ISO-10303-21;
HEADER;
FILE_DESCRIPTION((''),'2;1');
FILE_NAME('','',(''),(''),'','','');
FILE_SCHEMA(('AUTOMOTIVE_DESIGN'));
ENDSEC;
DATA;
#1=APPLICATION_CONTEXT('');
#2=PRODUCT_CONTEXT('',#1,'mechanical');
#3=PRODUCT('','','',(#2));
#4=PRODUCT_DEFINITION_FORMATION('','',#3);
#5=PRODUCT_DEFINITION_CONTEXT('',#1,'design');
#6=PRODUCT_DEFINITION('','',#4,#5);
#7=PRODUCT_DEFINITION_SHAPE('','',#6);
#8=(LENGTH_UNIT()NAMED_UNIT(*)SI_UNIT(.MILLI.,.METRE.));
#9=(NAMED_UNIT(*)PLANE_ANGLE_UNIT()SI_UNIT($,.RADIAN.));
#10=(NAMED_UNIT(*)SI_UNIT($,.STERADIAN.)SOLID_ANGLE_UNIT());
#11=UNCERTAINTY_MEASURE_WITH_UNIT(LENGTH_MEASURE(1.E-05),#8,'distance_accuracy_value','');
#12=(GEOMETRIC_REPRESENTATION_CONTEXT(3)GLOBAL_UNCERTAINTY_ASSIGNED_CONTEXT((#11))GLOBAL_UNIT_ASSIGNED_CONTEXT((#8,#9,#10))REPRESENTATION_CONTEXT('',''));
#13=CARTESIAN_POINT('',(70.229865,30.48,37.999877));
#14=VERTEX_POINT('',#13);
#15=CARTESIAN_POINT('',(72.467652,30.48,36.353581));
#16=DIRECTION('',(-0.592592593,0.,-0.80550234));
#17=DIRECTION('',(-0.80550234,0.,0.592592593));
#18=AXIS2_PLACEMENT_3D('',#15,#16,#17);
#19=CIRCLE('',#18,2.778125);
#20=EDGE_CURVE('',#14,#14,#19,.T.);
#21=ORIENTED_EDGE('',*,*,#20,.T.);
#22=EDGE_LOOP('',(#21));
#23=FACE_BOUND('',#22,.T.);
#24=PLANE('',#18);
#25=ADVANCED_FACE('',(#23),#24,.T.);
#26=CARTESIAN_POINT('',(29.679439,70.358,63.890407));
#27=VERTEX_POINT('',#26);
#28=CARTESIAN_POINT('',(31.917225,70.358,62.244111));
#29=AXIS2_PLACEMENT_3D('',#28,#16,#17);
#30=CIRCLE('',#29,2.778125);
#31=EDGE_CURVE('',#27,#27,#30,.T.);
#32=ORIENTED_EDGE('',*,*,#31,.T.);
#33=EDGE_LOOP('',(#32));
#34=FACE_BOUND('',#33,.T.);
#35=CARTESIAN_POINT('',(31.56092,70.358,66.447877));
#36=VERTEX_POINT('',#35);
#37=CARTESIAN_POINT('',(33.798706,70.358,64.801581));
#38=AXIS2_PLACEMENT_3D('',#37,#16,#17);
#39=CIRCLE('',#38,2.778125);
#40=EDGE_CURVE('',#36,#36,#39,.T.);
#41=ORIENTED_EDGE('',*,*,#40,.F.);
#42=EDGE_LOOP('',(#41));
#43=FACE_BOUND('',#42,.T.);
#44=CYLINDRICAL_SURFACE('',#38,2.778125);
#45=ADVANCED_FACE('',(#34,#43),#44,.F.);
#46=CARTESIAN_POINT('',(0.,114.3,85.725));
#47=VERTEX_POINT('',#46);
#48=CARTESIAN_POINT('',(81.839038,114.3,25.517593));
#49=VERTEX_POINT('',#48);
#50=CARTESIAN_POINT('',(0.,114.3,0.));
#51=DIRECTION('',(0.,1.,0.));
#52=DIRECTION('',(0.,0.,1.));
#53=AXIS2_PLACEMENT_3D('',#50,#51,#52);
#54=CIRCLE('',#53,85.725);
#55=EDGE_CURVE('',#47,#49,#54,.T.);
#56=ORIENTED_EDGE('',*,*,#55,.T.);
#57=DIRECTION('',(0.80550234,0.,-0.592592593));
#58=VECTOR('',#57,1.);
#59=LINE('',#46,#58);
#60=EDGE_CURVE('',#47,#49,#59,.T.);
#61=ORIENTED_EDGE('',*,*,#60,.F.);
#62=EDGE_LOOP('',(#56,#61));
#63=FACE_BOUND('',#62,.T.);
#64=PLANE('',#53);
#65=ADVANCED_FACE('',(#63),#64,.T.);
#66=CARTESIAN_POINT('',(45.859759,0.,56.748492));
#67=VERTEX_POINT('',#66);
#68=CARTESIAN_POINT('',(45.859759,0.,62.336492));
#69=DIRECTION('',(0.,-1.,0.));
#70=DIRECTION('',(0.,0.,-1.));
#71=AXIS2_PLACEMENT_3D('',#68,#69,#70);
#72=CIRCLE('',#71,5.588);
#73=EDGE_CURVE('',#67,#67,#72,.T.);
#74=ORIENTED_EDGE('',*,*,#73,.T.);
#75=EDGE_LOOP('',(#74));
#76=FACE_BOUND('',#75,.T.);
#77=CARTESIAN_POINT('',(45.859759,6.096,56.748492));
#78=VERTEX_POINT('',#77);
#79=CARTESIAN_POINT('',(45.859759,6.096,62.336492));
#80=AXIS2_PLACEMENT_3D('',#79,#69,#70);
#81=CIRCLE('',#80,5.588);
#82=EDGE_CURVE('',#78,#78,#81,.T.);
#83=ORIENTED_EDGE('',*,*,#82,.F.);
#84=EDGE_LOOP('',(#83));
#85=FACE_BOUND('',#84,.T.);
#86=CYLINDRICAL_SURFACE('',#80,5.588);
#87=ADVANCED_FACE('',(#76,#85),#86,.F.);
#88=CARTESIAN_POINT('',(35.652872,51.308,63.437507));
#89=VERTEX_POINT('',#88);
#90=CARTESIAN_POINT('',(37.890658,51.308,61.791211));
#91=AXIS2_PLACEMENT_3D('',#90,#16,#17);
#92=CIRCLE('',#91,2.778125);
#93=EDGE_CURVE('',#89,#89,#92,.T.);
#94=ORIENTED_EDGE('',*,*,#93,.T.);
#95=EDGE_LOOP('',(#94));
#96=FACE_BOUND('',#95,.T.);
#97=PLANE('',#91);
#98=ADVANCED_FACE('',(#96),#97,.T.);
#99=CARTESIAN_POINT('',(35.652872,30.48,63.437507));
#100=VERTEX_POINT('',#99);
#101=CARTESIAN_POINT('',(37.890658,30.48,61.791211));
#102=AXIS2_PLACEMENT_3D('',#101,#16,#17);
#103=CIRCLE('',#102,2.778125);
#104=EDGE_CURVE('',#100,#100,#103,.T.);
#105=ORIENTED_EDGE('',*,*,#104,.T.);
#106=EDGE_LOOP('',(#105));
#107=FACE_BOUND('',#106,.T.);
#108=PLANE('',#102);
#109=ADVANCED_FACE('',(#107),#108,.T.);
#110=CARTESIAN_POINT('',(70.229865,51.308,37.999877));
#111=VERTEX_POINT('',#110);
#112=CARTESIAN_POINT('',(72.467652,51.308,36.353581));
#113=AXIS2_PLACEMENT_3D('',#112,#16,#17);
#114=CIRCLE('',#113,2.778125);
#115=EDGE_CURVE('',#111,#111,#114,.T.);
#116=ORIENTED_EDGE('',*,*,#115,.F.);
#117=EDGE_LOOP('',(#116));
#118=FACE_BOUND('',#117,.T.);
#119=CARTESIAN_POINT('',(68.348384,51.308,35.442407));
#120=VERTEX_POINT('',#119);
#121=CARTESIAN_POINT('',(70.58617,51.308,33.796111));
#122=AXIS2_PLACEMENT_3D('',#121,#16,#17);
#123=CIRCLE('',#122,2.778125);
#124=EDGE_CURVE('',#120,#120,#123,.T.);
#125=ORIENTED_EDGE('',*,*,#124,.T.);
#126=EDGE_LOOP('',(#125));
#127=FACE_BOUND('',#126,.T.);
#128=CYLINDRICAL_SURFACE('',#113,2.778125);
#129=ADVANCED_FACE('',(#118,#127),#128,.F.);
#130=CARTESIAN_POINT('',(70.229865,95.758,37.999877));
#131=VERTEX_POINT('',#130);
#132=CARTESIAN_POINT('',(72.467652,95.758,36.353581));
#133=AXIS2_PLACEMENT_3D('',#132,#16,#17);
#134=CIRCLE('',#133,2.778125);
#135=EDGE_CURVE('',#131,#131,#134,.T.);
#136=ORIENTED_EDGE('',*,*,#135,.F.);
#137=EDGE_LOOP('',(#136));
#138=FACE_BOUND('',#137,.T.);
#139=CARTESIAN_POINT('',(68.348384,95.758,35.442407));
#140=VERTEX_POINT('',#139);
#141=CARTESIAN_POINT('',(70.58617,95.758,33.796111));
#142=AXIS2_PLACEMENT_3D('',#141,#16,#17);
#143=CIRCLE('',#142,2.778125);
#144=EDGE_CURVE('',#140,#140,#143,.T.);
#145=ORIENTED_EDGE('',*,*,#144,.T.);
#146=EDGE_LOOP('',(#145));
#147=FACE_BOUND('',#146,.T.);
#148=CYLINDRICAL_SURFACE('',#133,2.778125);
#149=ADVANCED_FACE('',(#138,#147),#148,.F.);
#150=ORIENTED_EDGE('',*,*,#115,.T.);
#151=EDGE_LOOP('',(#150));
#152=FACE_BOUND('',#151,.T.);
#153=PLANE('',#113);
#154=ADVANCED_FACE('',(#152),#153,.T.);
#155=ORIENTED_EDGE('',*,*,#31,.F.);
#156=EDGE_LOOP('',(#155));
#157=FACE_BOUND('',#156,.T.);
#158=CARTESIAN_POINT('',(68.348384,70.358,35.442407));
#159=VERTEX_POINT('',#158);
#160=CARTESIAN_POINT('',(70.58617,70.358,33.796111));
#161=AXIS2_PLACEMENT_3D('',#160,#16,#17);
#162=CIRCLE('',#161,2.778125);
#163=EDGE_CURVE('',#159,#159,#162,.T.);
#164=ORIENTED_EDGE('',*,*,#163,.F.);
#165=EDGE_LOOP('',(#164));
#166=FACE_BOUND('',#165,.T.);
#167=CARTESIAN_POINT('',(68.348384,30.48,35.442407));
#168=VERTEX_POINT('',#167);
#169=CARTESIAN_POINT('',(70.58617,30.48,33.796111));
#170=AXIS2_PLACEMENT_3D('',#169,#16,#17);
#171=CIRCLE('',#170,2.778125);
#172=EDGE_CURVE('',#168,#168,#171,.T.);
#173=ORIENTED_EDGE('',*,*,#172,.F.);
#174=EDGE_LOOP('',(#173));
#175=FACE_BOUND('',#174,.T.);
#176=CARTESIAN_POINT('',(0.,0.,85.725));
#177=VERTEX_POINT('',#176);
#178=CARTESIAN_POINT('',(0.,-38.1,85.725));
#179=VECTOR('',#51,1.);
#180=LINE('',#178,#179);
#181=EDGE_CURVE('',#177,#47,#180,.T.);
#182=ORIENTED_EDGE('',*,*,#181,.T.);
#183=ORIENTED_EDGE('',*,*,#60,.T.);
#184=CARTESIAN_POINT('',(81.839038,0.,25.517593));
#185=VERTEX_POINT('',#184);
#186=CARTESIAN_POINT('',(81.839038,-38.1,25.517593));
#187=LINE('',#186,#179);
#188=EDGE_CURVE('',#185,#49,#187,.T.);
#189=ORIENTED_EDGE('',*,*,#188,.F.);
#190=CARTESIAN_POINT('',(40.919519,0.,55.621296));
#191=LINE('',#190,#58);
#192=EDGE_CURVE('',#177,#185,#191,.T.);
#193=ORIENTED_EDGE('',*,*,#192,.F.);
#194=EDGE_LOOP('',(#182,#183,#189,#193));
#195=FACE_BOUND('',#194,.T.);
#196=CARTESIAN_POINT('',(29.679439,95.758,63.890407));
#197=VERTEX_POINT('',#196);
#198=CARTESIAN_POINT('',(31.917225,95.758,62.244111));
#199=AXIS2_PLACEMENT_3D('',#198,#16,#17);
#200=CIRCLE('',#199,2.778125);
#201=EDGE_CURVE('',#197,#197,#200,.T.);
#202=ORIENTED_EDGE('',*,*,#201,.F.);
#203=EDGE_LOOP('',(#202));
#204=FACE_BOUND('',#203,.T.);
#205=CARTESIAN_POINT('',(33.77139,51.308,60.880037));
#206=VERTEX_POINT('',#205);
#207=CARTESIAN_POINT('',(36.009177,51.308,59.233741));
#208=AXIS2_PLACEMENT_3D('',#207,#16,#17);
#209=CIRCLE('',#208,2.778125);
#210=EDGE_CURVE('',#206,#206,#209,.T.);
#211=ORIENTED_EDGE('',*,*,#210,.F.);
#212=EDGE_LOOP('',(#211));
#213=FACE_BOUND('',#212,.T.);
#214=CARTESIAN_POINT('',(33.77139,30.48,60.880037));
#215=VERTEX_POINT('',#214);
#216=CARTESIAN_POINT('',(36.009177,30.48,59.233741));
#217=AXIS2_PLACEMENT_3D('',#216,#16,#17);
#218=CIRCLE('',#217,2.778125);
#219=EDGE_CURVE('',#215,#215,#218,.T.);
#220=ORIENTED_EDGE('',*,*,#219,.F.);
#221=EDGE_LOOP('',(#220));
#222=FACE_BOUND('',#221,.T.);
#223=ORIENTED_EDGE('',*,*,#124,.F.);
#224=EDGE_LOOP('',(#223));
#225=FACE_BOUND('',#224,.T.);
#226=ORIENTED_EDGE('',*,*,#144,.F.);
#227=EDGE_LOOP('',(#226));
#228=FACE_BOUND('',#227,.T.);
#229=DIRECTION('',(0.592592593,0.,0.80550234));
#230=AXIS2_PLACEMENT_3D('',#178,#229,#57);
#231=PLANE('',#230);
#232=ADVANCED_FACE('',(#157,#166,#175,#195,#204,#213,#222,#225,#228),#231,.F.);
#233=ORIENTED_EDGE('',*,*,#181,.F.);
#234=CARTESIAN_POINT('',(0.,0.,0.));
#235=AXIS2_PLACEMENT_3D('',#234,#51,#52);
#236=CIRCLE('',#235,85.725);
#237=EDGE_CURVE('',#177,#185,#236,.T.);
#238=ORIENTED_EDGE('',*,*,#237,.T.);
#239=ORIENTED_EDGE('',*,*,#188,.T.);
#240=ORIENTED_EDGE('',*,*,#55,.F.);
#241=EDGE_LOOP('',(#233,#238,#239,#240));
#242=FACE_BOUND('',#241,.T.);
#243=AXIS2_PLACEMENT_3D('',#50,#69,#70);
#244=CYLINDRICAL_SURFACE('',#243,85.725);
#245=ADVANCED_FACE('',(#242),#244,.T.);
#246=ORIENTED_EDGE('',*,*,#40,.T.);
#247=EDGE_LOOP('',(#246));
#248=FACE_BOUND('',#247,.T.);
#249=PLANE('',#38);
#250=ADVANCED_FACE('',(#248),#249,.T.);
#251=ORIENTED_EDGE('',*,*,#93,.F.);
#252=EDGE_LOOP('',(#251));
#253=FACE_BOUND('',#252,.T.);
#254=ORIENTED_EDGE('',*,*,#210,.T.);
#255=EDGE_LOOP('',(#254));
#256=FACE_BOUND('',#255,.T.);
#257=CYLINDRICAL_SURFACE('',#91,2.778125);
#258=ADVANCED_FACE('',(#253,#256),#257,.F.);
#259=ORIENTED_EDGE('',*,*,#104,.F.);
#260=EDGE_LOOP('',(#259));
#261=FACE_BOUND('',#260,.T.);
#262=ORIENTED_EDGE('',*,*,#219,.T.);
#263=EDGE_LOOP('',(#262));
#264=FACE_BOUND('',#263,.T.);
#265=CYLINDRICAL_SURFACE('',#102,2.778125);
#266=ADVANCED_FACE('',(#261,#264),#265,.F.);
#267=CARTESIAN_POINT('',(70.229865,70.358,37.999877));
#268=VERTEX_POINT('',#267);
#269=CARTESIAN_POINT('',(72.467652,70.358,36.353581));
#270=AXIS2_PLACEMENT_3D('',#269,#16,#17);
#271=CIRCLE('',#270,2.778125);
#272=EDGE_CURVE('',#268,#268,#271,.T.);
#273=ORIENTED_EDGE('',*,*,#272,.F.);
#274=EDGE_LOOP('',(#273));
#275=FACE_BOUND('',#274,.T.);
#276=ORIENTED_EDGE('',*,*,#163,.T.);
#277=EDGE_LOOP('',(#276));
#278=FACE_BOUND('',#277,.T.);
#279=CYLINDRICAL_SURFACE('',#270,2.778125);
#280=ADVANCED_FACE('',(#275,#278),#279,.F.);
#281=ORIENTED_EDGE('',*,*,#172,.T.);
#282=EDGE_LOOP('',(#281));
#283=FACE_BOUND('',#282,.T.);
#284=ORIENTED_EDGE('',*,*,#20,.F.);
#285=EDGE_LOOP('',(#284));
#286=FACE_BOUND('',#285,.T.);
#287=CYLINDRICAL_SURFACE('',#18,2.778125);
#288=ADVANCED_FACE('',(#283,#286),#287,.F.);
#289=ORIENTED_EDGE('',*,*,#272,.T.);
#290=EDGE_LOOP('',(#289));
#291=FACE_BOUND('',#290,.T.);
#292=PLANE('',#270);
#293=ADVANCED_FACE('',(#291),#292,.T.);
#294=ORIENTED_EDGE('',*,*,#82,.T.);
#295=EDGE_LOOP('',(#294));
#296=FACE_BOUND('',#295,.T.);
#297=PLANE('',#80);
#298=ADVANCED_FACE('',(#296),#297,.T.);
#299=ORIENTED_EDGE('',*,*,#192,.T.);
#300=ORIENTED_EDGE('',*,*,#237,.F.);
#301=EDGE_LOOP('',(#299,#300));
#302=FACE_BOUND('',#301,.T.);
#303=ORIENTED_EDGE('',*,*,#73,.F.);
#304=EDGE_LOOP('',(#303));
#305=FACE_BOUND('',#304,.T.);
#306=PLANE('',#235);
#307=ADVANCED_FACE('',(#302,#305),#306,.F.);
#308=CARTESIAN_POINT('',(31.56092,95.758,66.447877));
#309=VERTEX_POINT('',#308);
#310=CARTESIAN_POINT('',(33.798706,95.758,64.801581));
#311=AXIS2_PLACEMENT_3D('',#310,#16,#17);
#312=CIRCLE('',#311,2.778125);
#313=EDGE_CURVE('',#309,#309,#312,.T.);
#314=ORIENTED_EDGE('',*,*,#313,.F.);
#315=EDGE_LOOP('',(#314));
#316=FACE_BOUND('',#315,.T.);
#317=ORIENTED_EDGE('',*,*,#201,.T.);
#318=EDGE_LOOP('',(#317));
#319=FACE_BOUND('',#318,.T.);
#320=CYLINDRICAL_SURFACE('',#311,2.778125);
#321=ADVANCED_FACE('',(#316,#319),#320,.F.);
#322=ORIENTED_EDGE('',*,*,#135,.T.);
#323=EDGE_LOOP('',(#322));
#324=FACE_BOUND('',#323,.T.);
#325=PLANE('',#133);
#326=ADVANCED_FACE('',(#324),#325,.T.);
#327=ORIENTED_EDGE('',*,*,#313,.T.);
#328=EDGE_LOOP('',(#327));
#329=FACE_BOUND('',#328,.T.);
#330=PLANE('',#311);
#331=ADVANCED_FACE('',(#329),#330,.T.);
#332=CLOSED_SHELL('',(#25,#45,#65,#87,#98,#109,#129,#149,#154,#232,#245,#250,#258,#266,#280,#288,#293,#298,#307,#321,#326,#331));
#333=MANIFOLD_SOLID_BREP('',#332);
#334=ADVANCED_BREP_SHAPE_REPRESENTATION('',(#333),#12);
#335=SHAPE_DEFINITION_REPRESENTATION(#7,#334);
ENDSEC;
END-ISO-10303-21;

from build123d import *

# Parameters (mm, degrees)
SKETCH1_R           = 85.725
BOSS_EXTRUDE1_DEPTH = 114.3
CUT_EXTRUDE1_DEPTH  = 152.4
SKETCH3_R           = 2.778125
CUT_EXTRUDE2_DEPTH  = 3.175
SKETCH4_R           = 5.588
CUT_EXTRUDE3_DEPTH  = 6.096


with BuildPart() as part:
    # Sketch1 → Boss-Extrude1 (new body)
    with BuildSketch(Plane(origin=(0, 0, 0), x_dir=(1, 0, 0), z_dir=(0, 1, 0))):
        Circle(SKETCH1_R)
    extrude(amount=BOSS_EXTRUDE1_DEPTH)

    # Sketch2 → Cut-Extrude1 (cut)
    with BuildSketch(Plane(origin=(0, 114.3, 0), x_dir=(1, 0, 0), z_dir=(0, 1, 0))):
        Polygon((0, -85.725), (81.83903771, -25.517592593), (151.304734273, 75.062868172), (-38.51393236, 115.934796391), (-149.339737724, 18.86396687), (-68.774879215, -104.537816407), align=None)
    extrude(amount=-CUT_EXTRUDE1_DEPTH, mode=Mode.SUBTRACT)

    # Sketch3 → Cut-Extrude2 (cut)
    with BuildSketch(Plane(origin=(40.919518855, 0, 55.621296296), x_dir=(-0.80550234, 0, 0.592592593), z_dir=(-0.592592593, 0, -0.80550234))):
        with Locations((-36.83, 95.758)):
            Circle(SKETCH3_R)
        with Locations((11.176, 95.758)):
            Circle(SKETCH3_R)
        with Locations((-36.83, 70.358)):
            Circle(SKETCH3_R)
        with Locations((11.176, 70.358)):
            Circle(SKETCH3_R)
        with Locations((-36.83, 51.308)):
            Circle(SKETCH3_R)
        with Locations((6.096, 51.308)):
            Circle(SKETCH3_R)
        with Locations((-36.83, 30.48)):
            Circle(SKETCH3_R)
        with Locations((6.096, 30.48)):
            Circle(SKETCH3_R)
    extrude(amount=-CUT_EXTRUDE2_DEPTH, mode=Mode.SUBTRACT)

    # Sketch4 → Cut-Extrude3 (cut)
    with BuildSketch(Plane(origin=(0, 0, 0), x_dir=(-1, 0, 0), z_dir=(0, -1, 0))):
        with Locations((-45.859759427, -62.336492182)):
            Circle(SKETCH4_R)
    extrude(amount=-CUT_EXTRUDE3_DEPTH, mode=Mode.SUBTRACT)


solid = part.part
